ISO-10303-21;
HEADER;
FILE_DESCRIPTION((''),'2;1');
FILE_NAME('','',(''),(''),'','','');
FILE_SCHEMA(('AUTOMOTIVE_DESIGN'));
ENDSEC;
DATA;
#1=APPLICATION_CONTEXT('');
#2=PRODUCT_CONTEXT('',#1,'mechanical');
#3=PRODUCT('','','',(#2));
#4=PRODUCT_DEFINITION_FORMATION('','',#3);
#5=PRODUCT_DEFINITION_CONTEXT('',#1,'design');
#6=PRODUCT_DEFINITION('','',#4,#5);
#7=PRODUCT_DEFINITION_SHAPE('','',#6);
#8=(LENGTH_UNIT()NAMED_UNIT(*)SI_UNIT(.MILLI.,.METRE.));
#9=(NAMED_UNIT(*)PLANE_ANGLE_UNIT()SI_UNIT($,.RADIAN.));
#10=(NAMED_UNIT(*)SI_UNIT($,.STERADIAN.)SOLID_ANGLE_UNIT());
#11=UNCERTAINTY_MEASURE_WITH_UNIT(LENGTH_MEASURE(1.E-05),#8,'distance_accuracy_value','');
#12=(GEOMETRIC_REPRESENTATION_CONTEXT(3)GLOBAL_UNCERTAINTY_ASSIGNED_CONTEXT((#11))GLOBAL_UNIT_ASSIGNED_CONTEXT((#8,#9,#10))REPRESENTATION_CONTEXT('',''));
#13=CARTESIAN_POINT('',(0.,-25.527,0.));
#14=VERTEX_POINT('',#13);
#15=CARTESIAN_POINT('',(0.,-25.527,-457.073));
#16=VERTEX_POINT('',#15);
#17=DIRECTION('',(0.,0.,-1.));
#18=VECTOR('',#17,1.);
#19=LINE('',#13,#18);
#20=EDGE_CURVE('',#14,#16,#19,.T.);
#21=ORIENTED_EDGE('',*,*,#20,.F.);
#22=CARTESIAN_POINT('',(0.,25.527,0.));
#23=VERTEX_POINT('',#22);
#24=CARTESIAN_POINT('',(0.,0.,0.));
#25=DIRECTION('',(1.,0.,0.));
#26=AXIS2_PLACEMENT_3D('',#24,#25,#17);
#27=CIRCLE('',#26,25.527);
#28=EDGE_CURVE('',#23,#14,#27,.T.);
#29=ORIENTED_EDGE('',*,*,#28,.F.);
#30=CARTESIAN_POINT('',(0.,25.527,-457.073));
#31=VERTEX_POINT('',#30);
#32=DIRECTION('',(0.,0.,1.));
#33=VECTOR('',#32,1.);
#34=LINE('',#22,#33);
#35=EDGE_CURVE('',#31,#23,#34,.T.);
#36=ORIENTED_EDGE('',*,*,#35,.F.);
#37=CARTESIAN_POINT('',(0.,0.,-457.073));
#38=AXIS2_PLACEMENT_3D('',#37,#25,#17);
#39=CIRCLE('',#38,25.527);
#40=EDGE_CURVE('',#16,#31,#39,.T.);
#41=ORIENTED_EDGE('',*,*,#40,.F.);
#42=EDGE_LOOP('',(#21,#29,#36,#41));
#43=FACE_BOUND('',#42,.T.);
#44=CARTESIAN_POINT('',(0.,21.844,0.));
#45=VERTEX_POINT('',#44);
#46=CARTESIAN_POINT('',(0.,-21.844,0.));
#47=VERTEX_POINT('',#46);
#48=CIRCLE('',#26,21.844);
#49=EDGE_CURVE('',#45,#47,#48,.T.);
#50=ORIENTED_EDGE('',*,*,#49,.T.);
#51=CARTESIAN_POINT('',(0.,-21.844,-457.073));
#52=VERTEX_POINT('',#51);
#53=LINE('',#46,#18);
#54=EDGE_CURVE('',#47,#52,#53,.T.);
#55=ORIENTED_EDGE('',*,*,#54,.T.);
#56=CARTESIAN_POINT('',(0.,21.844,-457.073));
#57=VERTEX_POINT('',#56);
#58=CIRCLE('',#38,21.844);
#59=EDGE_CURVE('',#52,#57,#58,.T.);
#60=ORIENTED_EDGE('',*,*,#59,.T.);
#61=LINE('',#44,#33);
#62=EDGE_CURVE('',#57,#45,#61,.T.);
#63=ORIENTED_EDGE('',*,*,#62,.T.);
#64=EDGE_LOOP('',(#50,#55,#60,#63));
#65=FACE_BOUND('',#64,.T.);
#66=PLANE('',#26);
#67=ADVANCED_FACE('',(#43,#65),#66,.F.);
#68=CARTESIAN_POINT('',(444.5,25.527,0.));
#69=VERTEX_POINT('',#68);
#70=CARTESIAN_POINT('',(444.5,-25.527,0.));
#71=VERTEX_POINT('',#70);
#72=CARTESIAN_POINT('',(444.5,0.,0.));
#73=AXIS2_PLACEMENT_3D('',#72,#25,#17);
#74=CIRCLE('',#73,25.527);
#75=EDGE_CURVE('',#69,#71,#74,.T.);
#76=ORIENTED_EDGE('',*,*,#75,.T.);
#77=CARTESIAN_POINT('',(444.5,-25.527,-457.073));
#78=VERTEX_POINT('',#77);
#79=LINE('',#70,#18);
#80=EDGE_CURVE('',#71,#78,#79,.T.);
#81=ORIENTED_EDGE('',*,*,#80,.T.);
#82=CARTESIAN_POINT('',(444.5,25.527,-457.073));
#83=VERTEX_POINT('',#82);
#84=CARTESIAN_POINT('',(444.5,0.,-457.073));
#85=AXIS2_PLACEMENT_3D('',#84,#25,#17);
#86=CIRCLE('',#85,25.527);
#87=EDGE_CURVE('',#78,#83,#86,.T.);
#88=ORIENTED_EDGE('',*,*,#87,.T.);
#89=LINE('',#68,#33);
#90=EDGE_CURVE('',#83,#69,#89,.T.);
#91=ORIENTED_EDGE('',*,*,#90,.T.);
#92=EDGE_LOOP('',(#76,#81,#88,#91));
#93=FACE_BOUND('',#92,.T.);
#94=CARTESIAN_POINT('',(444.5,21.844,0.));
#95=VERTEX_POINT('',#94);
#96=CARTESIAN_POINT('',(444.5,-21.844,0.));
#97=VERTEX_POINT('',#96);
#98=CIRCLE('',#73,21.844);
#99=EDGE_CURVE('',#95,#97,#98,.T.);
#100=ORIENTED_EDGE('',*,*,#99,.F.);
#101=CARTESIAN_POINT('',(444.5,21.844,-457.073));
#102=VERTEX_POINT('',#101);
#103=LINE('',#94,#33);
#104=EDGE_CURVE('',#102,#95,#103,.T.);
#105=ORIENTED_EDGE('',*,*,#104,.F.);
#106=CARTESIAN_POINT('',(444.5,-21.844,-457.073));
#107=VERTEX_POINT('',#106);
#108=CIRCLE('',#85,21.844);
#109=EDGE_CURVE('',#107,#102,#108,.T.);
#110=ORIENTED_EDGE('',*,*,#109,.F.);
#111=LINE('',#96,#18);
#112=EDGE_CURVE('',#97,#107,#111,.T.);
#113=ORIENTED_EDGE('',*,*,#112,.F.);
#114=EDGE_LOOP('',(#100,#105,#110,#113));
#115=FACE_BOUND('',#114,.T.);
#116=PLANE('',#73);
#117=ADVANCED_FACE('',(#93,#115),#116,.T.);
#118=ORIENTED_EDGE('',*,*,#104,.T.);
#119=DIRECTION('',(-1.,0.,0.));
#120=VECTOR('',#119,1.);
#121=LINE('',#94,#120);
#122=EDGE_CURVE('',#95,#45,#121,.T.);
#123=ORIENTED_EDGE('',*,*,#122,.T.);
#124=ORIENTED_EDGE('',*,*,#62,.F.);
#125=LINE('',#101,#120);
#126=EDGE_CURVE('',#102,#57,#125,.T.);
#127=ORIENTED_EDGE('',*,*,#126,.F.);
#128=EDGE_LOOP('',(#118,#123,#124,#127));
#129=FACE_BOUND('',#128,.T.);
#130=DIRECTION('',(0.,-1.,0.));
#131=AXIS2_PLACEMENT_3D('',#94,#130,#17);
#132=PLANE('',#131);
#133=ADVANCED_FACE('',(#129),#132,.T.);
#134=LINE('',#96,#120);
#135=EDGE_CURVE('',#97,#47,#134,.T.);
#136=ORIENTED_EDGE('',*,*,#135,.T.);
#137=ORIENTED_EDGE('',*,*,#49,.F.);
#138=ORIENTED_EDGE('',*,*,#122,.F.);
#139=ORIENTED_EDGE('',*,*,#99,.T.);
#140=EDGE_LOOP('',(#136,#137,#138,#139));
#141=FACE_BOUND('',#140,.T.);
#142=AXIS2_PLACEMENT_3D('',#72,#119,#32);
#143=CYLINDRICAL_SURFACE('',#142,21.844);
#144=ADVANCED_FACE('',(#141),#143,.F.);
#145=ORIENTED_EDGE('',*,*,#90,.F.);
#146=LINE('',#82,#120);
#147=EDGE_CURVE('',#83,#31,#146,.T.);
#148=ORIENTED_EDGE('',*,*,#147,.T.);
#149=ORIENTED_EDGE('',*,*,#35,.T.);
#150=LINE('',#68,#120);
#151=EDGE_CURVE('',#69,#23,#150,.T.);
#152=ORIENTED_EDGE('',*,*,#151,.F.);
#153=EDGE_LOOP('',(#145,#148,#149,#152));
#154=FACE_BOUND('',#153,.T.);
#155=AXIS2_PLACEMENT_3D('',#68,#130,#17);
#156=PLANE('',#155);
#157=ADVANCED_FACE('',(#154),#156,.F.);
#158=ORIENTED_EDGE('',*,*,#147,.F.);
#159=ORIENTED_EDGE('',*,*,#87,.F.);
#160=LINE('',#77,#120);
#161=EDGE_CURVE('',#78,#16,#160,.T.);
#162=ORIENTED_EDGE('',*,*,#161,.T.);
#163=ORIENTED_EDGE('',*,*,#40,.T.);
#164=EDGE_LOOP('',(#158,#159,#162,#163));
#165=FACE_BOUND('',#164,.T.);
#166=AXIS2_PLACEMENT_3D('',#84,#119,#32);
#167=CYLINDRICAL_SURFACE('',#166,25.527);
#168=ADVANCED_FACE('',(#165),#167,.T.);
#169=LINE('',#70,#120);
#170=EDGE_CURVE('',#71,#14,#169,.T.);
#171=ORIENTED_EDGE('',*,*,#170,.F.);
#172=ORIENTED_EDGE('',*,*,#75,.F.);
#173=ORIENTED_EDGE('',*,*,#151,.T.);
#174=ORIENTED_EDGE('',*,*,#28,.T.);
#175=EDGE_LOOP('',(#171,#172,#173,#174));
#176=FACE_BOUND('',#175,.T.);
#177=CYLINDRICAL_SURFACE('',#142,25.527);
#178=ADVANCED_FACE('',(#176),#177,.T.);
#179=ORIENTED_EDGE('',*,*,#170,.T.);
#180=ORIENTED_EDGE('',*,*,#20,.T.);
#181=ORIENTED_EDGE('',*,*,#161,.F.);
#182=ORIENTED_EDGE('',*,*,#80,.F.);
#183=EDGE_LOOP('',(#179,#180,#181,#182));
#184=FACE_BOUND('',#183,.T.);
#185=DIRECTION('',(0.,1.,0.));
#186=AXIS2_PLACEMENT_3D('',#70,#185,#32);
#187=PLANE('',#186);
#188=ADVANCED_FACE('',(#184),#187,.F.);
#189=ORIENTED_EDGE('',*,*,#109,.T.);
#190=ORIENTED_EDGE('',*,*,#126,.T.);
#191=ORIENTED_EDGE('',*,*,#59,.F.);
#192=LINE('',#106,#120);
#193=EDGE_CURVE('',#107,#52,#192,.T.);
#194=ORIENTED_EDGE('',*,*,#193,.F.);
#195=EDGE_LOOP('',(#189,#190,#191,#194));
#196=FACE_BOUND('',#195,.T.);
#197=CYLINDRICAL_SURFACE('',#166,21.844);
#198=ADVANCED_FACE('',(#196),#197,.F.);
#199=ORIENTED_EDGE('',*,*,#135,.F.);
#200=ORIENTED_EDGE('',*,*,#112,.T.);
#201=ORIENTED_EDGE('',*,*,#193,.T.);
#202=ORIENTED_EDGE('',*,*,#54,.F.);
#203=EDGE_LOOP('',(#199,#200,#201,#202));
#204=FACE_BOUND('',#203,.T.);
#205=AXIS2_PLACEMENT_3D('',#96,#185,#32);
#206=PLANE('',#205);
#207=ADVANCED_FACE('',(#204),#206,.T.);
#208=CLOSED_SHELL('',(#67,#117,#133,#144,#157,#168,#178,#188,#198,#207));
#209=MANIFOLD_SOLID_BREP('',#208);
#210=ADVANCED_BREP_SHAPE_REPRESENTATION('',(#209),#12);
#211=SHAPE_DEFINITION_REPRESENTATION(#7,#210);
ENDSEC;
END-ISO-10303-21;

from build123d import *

# Parameters (mm, degrees)
BOSS_EXTRUDE1_DEPTH = 444.5


with BuildPart() as part:
    # Sketch1 → Boss-Extrude1 (new body)
    with BuildSketch(Plane(origin=(0, 0, 0), x_dir=(0, 0, -1), z_dir=(1, 0, 0))):
        with BuildLine():
            Line((0, 25.527), (457.073, 25.527))
            ThreePointArc((457.073, 25.527), (482.6, 0), (457.073, -25.527))
            Line((457.073, -25.527), (0, -25.527))
            ThreePointArc((0, -25.527), (-25.527, 0), (0, 25.527))
        make_face()
        with BuildLine():
            Line((0, 21.844), (457.073, 21.844))
            ThreePointArc((457.073, 21.844), (478.917, 0), (457.073, -21.844))
            Line((457.073, -21.844), (0, -21.844))
            ThreePointArc((0, -21.844), (-21.844, 0), (0, 21.844))
        make_face(mode=Mode.SUBTRACT)
    extrude(amount=BOSS_EXTRUDE1_DEPTH)


solid = part.part
